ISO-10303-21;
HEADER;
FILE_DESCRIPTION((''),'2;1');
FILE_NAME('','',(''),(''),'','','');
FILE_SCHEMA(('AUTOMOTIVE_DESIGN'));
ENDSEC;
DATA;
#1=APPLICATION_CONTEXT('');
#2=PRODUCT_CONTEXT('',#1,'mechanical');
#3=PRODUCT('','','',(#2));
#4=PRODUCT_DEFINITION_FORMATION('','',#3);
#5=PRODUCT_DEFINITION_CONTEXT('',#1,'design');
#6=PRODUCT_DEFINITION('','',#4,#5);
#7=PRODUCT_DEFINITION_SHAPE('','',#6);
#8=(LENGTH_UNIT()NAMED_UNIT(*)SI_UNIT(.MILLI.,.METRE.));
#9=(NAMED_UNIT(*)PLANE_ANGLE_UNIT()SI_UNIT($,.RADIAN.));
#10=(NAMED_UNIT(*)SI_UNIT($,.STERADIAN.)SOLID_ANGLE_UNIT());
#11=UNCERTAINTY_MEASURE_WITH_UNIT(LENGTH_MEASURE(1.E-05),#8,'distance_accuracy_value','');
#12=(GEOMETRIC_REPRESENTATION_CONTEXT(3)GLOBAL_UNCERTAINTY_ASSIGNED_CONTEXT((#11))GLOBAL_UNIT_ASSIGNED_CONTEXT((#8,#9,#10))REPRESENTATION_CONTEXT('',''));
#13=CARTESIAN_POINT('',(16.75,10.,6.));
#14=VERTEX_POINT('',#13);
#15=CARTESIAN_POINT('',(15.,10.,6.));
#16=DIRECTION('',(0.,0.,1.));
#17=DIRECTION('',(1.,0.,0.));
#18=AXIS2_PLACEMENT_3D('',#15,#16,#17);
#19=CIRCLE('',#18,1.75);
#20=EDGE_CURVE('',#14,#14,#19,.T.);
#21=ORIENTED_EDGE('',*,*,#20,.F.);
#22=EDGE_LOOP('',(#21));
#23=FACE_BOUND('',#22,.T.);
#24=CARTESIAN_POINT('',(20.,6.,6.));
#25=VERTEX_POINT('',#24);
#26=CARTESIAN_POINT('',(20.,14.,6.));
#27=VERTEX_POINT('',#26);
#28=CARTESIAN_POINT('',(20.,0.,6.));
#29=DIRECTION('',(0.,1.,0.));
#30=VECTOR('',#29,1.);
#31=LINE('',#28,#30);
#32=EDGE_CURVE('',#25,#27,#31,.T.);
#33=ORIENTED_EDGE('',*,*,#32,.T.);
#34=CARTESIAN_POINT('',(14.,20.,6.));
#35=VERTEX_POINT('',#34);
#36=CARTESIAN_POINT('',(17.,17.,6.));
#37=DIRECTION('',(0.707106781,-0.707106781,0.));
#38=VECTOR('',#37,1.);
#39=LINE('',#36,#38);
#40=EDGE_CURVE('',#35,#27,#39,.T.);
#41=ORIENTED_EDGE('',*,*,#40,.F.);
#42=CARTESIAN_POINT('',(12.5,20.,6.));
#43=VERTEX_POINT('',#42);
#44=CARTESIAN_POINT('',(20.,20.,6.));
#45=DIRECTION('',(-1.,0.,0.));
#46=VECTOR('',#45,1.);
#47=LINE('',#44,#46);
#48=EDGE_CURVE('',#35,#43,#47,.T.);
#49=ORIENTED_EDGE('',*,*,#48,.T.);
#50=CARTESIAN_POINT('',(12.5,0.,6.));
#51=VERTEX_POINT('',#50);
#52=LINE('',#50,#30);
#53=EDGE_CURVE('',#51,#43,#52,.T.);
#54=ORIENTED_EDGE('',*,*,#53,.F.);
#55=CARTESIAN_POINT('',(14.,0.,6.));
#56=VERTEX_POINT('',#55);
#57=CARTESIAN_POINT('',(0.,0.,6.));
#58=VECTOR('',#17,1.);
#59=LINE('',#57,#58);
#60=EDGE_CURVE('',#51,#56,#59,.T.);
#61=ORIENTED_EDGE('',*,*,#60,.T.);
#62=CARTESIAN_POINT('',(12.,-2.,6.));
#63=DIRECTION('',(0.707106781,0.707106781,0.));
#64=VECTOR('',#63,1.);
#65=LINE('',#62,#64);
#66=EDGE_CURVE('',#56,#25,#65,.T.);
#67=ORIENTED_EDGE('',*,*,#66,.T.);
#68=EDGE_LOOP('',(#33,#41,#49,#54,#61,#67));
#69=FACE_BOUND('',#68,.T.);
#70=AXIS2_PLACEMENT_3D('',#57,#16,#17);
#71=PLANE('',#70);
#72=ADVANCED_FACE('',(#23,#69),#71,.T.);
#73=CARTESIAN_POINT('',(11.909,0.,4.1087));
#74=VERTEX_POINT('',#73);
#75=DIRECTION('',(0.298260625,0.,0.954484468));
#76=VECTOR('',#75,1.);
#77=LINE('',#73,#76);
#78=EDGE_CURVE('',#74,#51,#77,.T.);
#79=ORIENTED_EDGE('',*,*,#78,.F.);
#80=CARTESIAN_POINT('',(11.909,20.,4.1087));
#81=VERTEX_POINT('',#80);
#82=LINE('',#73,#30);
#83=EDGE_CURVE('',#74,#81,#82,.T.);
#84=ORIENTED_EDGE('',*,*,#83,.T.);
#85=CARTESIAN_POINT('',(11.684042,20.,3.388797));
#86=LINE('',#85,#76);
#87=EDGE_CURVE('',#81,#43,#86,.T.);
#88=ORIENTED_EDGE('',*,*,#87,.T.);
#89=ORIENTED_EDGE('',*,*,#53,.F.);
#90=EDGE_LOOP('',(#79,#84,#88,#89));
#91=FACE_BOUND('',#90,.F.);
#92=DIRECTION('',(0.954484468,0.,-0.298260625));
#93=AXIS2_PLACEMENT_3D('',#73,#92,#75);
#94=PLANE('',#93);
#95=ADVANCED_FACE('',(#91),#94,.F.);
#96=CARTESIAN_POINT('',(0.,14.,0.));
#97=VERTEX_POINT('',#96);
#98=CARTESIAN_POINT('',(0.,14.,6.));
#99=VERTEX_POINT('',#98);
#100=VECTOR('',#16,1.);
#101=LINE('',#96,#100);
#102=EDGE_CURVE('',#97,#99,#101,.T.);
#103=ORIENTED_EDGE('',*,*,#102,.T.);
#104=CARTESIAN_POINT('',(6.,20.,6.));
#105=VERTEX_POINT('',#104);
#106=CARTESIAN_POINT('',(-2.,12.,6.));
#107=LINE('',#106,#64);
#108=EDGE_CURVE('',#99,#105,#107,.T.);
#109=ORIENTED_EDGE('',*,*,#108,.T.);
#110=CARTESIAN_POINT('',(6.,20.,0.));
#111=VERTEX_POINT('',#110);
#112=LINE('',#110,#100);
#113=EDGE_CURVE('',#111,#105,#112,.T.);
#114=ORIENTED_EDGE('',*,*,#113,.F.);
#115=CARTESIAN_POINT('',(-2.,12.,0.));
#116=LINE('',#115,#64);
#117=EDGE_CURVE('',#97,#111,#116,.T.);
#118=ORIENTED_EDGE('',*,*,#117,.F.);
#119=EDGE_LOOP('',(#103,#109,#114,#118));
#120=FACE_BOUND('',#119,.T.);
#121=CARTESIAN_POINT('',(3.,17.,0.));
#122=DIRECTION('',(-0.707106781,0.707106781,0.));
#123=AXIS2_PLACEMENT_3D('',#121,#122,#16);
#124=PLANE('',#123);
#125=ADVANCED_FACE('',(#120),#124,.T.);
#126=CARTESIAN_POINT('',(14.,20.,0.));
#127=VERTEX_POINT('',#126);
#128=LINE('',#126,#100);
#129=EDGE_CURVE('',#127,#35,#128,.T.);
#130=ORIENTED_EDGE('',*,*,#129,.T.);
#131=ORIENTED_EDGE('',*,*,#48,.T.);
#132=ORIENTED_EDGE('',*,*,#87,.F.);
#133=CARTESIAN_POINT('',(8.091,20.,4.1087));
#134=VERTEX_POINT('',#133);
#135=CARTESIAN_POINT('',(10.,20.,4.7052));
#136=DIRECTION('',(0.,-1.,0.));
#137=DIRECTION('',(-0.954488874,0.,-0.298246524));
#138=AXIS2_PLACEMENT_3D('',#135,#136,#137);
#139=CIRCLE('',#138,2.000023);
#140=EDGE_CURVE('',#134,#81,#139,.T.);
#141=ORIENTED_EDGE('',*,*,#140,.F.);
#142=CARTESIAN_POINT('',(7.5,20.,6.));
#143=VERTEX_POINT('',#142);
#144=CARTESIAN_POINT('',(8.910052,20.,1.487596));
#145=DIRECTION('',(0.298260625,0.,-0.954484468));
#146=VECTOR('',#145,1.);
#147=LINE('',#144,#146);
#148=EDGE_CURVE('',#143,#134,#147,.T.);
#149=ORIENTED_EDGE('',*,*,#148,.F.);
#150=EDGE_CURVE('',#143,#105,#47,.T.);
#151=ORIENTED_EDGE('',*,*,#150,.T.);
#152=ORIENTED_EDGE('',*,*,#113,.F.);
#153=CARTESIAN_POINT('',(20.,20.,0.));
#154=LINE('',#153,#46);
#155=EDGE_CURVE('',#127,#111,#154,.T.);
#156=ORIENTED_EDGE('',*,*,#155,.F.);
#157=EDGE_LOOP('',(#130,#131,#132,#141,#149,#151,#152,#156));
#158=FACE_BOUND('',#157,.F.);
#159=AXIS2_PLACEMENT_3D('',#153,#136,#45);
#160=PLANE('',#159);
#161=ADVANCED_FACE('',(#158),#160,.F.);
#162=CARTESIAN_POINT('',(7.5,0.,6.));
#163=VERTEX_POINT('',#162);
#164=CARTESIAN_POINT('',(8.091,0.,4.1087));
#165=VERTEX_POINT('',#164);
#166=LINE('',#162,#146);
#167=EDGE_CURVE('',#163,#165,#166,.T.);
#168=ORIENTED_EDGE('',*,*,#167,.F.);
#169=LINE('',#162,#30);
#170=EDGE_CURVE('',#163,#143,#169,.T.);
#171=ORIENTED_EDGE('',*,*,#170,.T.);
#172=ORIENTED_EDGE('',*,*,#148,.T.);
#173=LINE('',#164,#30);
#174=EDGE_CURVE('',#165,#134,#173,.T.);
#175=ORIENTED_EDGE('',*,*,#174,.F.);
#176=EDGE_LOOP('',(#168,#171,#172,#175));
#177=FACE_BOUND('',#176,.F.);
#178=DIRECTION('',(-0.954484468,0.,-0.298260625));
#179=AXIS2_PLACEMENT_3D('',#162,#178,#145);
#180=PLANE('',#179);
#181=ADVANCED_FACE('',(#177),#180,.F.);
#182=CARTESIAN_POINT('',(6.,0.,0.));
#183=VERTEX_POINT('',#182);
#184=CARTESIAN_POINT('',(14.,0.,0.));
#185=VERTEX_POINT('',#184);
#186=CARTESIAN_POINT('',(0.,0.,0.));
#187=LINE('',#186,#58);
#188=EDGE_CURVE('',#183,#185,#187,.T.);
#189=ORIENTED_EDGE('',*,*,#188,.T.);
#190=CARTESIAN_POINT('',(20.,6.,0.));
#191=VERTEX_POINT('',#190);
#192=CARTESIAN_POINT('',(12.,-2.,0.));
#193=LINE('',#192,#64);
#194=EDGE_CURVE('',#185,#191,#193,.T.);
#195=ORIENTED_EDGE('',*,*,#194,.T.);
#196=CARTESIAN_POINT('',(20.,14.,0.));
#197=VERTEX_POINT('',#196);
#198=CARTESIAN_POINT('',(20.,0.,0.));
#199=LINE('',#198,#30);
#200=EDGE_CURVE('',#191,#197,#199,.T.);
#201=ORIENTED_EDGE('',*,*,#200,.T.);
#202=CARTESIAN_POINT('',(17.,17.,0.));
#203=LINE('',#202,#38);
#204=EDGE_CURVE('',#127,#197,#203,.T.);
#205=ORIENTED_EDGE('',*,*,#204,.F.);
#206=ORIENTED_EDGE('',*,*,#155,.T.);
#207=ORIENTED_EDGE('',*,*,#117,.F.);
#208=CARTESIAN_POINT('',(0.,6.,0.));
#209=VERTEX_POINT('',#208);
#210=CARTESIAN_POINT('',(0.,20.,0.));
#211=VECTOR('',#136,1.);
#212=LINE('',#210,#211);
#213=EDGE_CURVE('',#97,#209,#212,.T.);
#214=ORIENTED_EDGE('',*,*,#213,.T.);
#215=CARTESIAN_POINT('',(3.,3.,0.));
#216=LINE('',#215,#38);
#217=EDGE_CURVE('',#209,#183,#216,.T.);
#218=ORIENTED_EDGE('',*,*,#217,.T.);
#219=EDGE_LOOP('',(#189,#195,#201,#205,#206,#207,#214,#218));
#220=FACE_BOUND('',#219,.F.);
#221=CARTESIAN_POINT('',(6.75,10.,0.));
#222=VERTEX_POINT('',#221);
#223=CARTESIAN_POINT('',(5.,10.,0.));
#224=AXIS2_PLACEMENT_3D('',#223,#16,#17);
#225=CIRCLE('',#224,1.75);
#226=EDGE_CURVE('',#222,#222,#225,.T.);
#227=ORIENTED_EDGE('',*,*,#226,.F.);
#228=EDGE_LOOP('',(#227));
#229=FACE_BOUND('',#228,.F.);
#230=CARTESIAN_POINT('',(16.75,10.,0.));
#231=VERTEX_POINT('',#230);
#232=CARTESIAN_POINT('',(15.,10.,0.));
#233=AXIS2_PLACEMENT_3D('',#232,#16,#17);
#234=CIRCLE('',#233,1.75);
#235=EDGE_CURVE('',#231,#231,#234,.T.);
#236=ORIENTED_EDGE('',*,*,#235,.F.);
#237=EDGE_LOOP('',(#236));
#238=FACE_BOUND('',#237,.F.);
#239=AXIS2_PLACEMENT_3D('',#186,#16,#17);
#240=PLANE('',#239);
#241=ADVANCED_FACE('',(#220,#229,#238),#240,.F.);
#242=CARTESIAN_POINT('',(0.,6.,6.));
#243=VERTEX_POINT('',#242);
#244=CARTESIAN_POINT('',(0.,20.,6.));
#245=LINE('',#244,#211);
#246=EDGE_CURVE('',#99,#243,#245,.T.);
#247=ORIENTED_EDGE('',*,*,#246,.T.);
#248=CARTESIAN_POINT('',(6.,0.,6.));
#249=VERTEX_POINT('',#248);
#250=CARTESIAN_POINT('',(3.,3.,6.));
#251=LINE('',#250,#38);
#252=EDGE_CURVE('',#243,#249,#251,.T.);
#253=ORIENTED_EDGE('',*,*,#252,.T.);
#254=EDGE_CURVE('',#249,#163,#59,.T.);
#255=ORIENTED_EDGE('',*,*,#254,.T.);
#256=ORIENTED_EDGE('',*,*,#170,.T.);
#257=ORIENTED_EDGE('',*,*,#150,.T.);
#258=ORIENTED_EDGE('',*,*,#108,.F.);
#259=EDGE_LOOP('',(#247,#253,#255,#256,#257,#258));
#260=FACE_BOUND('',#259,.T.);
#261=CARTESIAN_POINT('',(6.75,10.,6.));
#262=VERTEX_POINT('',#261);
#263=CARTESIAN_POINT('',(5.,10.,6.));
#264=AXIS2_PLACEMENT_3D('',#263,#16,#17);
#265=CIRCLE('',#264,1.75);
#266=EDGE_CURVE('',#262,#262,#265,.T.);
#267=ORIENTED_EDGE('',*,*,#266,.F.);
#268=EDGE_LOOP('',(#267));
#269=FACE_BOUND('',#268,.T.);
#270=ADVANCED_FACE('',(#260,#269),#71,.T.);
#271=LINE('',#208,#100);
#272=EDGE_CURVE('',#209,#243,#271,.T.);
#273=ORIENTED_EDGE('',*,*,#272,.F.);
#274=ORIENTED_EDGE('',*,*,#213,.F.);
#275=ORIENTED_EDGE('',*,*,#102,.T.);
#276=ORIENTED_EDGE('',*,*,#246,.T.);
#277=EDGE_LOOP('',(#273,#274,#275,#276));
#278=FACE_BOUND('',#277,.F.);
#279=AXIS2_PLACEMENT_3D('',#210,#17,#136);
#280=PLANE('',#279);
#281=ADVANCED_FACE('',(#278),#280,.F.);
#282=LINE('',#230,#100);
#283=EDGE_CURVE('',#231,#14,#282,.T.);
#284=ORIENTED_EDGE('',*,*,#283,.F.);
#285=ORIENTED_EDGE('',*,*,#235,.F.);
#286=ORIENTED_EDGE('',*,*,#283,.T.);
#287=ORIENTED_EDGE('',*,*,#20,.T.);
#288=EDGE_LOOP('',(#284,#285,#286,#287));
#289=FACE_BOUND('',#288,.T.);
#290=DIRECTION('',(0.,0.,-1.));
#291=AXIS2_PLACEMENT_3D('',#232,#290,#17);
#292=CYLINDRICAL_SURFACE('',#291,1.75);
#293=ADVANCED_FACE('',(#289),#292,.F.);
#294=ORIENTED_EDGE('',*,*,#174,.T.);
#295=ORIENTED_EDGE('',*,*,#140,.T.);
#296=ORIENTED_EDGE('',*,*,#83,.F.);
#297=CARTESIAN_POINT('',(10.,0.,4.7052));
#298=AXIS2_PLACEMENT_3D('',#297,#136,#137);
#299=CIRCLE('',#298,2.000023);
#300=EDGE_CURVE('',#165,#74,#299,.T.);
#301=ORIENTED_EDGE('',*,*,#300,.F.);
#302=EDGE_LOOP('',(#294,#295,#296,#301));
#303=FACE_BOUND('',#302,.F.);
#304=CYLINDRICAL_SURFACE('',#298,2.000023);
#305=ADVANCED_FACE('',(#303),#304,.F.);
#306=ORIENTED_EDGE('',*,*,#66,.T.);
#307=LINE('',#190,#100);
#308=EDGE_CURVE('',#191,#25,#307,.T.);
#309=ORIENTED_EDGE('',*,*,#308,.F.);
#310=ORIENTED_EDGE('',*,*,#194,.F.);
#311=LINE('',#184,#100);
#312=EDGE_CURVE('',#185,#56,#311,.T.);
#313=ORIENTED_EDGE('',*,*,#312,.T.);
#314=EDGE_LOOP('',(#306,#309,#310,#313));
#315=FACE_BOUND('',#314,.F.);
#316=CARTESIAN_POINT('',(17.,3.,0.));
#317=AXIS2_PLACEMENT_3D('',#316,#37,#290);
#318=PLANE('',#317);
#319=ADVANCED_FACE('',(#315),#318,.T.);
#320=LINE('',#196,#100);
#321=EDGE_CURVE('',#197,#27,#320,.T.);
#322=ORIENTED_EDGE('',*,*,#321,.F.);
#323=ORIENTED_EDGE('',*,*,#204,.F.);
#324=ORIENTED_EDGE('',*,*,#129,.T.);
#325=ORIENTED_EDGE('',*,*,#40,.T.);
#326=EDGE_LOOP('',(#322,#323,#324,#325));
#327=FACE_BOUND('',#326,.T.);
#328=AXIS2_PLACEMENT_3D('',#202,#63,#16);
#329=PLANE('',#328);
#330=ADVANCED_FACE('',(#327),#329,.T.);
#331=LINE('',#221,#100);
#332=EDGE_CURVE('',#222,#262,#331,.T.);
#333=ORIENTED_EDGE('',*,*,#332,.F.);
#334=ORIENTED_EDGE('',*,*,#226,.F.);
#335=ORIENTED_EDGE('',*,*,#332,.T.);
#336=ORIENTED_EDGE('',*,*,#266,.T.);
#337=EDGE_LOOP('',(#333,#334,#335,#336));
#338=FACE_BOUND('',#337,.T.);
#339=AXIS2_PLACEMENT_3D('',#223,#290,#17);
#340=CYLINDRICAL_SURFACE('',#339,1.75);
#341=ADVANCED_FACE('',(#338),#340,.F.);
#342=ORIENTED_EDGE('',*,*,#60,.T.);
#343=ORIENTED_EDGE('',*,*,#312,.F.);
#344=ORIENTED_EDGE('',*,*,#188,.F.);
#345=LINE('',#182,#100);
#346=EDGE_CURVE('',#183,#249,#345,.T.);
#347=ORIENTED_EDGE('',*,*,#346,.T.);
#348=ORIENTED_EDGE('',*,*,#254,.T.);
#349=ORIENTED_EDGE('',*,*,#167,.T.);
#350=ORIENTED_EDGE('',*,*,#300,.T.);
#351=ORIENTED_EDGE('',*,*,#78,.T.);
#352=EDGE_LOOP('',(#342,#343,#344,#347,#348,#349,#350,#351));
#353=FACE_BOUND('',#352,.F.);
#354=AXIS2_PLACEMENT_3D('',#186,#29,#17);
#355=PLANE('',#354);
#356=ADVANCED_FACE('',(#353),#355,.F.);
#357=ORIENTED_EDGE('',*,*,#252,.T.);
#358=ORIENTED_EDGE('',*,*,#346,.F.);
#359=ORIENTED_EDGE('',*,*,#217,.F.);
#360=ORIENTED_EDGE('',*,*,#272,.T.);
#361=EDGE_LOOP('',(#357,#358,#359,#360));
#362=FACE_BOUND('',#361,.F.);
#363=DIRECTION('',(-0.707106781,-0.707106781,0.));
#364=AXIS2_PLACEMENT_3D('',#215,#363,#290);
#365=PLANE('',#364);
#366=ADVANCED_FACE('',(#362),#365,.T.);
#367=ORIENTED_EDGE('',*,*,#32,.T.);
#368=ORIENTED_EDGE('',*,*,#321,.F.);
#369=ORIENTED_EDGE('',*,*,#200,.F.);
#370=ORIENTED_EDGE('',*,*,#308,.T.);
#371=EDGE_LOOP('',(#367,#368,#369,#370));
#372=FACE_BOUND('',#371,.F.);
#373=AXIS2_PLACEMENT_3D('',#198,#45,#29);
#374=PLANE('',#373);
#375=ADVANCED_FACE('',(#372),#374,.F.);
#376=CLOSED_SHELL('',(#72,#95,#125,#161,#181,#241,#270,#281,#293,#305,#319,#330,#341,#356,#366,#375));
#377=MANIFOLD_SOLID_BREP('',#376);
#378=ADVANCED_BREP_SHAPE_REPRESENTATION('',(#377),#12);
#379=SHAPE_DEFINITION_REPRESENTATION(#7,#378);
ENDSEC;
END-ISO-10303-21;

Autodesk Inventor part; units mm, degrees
ref_plane "YZ Plane" through (0, 0, 0) normal (1, 0, 0) x (0, 1, 0)
ref_plane "XZ Plane" through (0, 0, 0) normal (0, 1, 0) x (-1, 0, 0)
ref_plane "XY Plane" through (0, 0, 0) normal (0, 0, 1) x (1, 0, 0)
sketch "スケッチ1" plane through (0, 0, 0) normal (0, 0, 1) x (1, 0, 0)
  line L0 (0, 0) -> (20, 0)
  line L1 (20, 0) -> (20, 20)
  line L2 (20, 20) -> (0, 20)
  line L3 (0, 20) -> (0, 0)
  line L4 (0, 10) -> (20, 10) construction
  circle A0 centre (5, 10) radius 1.75
  line L5 (10, 20) -> (10, 0) construction
  circle A1 centre (15, 10) radius 1.75
  dimension "d0" = 20
  dimension "d1" = 20
  dimension "d2" = 10
  dimension "d3" = 3.5
  dimension "d4" = 10
extrude "押し出し1" add sketch "スケッチ1" along normal blind 6
sketch "スケッチ2" plane through (0, 0, 0) normal (0, -1, 0) x (1, 0, 0)
  line L0 (0, 0) -> (20, 0) construction
  line L1 (10, 0) -> (10, 6) construction
  line L2 (0, 6) -> (20, 6) construction
  line L3 (7.5, 6) -> (8.091, 4.1087)
  line L4 (11.909, 4.1087) -> (12.5, 6)
  line L5 (7.5, 6) -> (12.5, 6)
  arc A0 (8.091, 4.1087) -> (11.909, 4.1087) centre (10, 4.7052) ccw
  point P0 (10, -2)
  dimension "d11" = 2
  dimension "d18" = 5
  dimension "d19" = 8
extrude "押し出し2" cut sketch "スケッチ2" against normal through all
chamfer "面取り1" distance 6 angle 45 4 edges at (20, 20, 3) (0, 20, 3) (20, 0, 3) (0, 0, 3)
properties part number "_3D プリント"
